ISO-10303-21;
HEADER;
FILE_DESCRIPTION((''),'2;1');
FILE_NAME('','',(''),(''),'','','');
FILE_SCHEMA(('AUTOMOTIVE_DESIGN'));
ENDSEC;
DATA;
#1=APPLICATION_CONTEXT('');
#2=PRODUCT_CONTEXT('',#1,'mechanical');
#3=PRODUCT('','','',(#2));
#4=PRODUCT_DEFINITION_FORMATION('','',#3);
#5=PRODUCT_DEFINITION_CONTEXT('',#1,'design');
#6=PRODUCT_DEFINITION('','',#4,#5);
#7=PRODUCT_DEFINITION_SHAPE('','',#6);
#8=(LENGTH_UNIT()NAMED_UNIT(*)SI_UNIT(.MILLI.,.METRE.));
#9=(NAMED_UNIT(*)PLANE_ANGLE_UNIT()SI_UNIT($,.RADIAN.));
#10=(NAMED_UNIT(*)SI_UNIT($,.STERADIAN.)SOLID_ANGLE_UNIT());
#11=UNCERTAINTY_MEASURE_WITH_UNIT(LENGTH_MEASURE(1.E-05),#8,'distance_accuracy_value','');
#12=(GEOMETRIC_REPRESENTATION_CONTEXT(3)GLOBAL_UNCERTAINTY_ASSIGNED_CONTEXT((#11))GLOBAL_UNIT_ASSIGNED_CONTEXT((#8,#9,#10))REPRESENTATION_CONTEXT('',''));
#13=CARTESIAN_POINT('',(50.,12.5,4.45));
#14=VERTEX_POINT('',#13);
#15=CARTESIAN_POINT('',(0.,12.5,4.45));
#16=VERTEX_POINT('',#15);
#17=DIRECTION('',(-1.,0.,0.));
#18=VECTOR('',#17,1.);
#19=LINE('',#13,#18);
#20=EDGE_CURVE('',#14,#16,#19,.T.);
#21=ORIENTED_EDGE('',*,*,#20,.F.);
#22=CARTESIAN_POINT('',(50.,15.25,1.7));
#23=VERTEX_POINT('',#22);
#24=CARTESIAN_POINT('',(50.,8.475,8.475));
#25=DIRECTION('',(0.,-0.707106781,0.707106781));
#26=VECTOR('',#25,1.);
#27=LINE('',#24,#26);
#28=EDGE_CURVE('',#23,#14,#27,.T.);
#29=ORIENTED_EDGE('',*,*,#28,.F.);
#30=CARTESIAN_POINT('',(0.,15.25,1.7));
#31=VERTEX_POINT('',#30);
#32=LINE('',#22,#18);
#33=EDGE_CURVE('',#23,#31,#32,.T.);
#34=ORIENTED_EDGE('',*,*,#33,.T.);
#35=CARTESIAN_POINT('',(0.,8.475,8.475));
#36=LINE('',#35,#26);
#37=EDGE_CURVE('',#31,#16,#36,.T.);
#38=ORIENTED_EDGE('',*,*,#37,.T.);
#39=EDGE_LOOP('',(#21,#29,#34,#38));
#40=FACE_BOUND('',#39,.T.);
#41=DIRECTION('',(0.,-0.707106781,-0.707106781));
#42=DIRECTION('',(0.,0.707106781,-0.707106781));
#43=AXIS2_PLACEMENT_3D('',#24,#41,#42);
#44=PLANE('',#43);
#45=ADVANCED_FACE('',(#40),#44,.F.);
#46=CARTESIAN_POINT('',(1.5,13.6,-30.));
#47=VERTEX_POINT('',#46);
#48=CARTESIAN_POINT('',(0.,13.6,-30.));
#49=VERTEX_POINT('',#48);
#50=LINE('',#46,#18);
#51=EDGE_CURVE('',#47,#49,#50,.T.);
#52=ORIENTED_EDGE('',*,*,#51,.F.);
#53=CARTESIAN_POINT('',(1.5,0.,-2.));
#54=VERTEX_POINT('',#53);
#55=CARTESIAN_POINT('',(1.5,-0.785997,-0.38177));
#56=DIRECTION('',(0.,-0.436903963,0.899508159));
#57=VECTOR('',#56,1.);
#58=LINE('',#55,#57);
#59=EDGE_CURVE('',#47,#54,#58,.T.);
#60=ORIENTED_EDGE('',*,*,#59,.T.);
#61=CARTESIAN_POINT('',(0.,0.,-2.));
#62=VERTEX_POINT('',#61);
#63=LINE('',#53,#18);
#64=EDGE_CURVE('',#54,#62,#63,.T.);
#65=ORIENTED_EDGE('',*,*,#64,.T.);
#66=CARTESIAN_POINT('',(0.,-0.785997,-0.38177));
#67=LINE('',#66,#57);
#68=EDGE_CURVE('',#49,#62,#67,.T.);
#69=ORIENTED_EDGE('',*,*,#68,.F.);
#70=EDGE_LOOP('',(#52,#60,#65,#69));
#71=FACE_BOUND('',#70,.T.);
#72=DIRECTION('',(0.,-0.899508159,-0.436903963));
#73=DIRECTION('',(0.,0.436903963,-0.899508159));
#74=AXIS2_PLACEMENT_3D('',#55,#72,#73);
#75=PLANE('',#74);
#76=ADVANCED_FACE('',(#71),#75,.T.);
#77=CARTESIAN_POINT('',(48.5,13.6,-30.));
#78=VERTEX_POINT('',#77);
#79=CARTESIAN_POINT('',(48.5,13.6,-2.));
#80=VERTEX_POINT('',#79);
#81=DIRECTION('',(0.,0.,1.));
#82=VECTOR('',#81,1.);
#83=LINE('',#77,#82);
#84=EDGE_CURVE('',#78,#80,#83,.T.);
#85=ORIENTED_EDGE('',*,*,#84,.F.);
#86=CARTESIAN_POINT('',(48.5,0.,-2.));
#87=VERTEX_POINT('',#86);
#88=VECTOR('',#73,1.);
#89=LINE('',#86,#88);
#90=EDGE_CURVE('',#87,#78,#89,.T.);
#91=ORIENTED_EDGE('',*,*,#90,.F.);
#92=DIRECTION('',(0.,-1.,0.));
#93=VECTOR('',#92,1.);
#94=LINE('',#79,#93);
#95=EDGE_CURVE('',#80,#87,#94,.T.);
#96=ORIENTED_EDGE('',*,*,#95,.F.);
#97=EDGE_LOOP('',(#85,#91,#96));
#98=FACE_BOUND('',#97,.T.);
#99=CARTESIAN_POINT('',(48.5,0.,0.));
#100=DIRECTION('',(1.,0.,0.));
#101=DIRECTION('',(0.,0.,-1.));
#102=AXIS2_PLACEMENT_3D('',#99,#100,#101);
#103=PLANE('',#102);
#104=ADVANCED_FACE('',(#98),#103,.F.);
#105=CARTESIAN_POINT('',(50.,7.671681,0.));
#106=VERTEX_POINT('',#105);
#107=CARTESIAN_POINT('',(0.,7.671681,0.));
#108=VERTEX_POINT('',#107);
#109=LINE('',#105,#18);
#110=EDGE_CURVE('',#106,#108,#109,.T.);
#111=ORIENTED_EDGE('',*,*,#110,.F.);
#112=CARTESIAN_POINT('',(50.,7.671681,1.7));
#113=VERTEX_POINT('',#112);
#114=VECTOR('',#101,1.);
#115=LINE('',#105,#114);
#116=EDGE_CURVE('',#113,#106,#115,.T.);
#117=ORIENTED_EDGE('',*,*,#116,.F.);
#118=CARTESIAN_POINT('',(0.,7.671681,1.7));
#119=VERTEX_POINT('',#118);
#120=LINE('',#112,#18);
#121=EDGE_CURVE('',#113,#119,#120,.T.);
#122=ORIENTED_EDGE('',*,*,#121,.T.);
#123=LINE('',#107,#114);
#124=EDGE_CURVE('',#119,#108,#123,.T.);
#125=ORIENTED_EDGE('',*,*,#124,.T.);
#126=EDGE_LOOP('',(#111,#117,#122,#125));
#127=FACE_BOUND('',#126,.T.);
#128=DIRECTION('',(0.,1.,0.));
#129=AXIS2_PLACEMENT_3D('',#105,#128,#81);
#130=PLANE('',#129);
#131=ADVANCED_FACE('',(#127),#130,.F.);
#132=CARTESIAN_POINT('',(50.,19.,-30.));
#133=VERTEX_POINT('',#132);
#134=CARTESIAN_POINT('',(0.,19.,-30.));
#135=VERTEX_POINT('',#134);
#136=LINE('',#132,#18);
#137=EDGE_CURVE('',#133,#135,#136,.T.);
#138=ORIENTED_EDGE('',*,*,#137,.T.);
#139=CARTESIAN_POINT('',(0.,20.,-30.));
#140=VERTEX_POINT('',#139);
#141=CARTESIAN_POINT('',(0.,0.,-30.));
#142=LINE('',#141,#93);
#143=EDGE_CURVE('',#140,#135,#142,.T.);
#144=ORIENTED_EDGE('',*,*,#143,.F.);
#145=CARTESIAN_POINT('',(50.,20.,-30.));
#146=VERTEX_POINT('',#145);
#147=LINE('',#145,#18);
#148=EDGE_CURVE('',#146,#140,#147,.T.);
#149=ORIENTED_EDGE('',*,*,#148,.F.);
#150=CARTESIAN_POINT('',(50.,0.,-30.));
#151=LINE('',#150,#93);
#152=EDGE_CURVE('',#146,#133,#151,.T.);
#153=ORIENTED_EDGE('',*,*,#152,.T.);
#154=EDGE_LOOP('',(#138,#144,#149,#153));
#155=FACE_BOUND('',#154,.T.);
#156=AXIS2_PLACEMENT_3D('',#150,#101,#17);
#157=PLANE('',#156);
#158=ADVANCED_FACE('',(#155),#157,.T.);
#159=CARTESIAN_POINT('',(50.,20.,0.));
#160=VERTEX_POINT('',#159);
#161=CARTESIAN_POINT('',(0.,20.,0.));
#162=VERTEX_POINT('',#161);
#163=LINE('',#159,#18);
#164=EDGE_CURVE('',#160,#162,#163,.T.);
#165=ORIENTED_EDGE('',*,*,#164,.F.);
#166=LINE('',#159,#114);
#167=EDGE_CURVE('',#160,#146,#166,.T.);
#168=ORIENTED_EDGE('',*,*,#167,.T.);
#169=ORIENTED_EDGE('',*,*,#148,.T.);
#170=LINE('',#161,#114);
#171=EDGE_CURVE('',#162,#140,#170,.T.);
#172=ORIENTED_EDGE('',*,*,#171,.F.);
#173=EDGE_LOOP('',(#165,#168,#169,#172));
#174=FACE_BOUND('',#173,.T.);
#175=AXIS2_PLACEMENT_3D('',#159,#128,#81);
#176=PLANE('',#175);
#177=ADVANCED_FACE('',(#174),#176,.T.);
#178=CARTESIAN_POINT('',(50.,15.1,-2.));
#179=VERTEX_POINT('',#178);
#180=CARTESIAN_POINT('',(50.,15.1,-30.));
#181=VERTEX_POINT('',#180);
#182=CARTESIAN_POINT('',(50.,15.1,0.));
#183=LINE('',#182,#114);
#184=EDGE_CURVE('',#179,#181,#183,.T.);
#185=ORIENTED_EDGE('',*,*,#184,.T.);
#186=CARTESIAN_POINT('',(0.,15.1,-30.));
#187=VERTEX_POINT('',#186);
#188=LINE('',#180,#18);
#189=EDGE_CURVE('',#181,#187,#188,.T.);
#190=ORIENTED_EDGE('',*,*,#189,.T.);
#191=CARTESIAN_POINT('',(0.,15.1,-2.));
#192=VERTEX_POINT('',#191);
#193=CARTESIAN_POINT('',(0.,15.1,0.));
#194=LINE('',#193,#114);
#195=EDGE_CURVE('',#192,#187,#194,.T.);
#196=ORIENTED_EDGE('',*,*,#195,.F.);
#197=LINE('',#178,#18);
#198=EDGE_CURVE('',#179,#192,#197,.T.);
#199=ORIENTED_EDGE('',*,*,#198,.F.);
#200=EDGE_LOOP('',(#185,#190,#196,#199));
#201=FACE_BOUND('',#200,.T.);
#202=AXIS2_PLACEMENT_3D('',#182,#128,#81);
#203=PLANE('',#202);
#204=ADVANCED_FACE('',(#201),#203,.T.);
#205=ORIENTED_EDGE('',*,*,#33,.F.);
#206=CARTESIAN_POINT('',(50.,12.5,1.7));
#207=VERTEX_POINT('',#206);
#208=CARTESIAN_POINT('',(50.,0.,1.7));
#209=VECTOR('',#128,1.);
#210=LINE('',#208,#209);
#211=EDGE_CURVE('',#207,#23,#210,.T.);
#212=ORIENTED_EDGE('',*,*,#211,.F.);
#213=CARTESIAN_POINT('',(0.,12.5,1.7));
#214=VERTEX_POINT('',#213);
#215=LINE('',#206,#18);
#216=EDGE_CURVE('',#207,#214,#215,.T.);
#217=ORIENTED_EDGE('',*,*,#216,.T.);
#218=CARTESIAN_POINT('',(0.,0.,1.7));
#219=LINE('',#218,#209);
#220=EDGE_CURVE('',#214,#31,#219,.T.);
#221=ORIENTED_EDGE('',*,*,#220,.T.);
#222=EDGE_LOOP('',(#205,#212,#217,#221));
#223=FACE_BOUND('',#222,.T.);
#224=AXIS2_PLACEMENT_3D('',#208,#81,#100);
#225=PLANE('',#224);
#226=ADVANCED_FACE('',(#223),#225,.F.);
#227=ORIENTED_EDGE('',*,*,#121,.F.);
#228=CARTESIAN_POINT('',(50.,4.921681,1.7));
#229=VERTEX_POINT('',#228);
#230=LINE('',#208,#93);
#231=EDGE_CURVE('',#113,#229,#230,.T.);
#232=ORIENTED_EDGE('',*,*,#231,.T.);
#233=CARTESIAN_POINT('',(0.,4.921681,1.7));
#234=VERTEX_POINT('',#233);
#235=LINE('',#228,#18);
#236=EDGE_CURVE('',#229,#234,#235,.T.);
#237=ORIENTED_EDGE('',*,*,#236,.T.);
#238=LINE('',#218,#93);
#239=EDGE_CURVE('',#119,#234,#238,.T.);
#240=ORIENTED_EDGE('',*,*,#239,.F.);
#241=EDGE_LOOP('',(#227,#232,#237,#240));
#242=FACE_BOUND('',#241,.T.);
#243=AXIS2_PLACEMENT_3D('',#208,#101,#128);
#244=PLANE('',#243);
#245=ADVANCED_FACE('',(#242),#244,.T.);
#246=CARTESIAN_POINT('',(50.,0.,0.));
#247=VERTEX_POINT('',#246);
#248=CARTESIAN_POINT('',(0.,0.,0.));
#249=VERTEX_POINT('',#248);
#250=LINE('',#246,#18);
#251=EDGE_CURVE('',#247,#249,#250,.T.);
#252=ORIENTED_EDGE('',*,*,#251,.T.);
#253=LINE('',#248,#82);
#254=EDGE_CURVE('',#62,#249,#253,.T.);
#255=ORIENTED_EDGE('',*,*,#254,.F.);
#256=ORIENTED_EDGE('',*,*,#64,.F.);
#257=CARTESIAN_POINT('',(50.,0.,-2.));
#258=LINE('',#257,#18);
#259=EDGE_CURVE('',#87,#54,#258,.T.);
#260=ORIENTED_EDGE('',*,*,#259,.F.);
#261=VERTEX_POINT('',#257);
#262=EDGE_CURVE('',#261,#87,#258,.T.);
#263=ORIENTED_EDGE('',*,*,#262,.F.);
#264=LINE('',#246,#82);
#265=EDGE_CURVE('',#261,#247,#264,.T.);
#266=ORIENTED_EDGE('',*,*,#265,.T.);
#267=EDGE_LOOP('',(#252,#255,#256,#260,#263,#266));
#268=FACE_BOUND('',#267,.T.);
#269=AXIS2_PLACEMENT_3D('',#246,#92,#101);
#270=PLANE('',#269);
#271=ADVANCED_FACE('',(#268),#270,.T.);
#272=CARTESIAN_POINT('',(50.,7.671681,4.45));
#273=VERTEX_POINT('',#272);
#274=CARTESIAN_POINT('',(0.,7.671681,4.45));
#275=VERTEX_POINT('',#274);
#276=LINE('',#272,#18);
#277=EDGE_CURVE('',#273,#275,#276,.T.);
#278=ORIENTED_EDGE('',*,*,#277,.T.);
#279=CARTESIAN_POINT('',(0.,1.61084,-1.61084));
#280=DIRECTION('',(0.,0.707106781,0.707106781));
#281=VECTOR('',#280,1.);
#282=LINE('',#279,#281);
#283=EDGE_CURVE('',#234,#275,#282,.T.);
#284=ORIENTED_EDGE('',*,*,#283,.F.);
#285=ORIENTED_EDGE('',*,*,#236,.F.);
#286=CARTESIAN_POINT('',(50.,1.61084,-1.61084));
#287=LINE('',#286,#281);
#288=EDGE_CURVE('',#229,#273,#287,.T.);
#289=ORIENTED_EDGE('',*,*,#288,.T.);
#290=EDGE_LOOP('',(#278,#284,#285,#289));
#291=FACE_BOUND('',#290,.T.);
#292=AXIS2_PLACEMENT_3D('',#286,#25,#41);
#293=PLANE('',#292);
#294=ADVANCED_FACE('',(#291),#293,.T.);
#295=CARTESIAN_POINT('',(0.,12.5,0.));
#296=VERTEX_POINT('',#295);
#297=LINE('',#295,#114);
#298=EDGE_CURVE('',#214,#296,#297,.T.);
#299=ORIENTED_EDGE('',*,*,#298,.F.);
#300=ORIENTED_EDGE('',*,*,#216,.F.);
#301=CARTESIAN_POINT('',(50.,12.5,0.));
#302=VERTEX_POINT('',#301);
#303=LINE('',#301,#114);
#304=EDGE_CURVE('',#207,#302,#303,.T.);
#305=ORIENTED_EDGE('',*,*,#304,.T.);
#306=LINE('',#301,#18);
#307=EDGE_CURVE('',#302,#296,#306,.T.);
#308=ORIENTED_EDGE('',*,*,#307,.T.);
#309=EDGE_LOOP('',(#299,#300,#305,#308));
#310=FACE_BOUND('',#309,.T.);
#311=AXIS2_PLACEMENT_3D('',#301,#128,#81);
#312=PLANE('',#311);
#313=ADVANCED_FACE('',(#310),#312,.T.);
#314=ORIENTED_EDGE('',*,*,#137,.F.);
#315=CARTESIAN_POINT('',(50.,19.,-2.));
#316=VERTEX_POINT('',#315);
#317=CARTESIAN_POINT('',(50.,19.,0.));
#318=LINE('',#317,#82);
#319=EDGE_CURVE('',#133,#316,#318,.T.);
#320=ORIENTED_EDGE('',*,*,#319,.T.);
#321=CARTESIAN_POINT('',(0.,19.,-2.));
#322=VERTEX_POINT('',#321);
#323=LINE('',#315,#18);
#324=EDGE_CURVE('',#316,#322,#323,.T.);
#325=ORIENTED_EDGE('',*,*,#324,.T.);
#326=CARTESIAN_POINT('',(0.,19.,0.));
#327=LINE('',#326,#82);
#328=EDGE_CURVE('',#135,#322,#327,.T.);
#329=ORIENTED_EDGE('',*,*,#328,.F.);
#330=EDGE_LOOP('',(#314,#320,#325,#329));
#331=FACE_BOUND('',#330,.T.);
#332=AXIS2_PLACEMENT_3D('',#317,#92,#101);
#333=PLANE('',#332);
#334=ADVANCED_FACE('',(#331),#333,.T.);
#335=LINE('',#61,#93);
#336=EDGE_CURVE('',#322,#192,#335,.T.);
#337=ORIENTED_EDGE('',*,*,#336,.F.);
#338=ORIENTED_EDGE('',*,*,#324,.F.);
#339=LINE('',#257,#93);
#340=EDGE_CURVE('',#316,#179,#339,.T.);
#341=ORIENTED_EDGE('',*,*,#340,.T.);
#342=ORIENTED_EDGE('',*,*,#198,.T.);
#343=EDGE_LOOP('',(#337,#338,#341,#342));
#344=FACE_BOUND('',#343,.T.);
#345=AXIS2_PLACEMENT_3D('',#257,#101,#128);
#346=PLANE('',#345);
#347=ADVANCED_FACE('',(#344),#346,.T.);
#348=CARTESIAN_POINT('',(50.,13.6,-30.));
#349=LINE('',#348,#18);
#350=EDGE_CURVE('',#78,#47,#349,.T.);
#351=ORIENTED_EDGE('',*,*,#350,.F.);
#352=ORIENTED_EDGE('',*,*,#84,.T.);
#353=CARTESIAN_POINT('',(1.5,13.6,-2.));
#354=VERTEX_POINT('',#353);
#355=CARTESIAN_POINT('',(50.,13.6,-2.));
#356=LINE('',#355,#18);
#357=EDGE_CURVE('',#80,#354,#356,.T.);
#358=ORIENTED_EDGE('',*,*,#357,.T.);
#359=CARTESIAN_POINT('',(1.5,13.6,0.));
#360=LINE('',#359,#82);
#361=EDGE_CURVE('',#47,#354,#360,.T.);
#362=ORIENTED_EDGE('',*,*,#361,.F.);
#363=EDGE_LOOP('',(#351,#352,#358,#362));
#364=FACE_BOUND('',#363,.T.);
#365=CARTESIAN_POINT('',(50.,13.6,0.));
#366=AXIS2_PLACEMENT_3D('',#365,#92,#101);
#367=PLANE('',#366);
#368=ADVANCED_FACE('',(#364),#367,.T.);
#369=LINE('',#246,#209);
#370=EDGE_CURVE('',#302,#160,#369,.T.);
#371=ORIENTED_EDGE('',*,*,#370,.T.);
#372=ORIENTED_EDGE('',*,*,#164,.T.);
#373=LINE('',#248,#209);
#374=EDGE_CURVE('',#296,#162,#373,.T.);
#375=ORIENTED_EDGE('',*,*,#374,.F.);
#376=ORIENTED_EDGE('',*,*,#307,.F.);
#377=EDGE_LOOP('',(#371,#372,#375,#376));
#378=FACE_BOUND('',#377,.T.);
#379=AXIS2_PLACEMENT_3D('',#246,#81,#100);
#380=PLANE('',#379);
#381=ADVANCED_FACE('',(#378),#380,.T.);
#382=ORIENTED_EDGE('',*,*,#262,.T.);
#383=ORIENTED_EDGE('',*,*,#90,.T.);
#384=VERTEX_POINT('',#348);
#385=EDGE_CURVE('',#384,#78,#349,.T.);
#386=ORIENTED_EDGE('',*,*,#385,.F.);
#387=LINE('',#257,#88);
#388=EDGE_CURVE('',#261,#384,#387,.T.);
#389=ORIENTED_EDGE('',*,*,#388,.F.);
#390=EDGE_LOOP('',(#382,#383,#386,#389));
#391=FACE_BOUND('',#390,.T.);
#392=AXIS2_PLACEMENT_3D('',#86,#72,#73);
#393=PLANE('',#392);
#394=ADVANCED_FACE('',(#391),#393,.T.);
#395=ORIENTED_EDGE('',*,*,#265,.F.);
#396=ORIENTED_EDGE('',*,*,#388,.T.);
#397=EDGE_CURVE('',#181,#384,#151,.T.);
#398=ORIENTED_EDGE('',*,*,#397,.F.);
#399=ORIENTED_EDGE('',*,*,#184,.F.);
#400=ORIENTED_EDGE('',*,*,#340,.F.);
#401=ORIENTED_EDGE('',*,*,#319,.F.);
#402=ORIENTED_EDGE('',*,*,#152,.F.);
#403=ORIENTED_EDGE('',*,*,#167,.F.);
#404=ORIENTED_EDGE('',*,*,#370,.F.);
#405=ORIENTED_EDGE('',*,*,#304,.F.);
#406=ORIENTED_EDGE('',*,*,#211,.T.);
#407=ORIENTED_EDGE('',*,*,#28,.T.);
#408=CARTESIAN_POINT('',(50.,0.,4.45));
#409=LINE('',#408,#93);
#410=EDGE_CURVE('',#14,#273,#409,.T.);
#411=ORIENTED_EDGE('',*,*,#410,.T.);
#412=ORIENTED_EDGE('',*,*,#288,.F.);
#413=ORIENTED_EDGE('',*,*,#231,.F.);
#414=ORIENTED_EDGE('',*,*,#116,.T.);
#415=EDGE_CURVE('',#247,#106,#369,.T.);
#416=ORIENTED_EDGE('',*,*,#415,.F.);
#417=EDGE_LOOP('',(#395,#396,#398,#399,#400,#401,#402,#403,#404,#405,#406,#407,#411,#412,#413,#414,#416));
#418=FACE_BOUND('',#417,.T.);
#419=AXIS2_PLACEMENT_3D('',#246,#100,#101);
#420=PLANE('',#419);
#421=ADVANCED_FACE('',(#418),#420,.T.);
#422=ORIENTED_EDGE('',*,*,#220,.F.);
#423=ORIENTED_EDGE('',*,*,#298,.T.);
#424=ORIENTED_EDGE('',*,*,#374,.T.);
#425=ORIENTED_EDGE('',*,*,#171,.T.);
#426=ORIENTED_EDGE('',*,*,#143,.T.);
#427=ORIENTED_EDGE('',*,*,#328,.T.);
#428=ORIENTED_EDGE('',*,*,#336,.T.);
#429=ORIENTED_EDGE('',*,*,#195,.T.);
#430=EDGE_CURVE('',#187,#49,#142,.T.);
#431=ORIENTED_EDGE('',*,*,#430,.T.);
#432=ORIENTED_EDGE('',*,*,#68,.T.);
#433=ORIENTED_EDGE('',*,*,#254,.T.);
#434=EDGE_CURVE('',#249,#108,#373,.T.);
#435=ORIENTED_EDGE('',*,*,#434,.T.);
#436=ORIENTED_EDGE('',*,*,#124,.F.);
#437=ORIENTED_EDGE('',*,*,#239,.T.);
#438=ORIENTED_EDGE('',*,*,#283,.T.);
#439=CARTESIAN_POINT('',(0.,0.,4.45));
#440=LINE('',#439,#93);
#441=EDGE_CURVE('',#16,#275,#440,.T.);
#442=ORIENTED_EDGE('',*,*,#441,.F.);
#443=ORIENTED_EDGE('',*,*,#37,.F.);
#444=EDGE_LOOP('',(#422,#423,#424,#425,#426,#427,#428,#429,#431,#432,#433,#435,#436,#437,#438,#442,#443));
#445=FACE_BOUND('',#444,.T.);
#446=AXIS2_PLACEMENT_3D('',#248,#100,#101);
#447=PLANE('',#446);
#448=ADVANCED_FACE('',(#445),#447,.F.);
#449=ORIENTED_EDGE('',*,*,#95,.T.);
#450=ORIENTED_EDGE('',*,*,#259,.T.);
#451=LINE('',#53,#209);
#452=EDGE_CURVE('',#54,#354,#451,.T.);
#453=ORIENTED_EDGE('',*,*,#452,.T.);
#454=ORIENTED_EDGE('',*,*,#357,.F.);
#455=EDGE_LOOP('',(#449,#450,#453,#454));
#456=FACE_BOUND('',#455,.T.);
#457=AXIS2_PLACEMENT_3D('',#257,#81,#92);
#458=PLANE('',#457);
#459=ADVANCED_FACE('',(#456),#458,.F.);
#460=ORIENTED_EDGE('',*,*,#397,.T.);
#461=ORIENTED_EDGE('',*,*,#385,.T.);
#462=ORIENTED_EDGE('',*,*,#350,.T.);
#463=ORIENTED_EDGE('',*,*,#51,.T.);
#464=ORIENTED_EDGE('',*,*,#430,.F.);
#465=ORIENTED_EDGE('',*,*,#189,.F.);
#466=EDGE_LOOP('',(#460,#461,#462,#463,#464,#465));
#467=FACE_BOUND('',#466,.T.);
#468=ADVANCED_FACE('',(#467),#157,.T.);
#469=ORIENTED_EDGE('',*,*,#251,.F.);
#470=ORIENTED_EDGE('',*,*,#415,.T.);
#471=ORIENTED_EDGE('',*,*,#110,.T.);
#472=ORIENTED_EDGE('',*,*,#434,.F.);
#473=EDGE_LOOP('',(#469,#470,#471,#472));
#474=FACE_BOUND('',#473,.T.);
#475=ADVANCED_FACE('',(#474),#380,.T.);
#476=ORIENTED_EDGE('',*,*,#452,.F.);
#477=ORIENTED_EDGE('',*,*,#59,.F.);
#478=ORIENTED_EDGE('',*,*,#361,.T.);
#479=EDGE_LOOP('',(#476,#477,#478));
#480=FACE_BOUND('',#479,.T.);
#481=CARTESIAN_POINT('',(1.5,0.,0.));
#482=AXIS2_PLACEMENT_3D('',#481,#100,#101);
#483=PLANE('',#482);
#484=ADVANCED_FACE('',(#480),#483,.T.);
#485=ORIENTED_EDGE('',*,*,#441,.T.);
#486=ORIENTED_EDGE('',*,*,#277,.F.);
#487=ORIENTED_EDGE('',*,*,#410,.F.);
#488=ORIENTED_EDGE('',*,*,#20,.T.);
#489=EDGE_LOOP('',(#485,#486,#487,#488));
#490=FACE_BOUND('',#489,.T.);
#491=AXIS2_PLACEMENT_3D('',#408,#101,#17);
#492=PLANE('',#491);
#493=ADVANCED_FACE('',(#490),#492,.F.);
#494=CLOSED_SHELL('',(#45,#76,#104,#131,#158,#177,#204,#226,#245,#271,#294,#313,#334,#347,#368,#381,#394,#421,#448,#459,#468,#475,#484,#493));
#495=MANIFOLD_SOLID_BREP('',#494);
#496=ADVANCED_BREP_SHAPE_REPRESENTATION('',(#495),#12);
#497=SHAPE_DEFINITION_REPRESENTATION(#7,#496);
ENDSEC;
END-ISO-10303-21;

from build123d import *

# Parameters (mm, degrees)
BOSS_EXTRUDE2_DEPTH  = 50
BOSS_EXTRUDE10_DEPTH = 1.5
BOSS_EXTRUDE11_DEPTH = 1.5


with BuildPart() as part:
    # Sketch1 → Boss-Extrude2 (new body)
    with BuildSketch(Plane(origin=(0, 0, 0), x_dir=(0, 0, -1), z_dir=(1, 0, 0))):
        Polygon((0, 7.671680622), (0, 0), (2, 0), (2, 13.6), (30, 13.6), (30, 15.1), (2, 15.1), (2, 19), (30, 19), (30, 20), (0, 20), (0, 12.5), (-1.7, 12.5), (-1.7, 15.25), (-4.45, 12.5), (-4.45, 7.671680622), (-1.7, 4.921680622), (-1.7, 7.671680622), align=None)
    extrude(amount=BOSS_EXTRUDE2_DEPTH)

    # Sketch1<13> → Boss-Extrude10 (add)
    with BuildSketch(Plane(origin=(0, 0, 0), x_dir=(0, 0, -1), z_dir=(1, 0, 0))):
        Polygon((2, 13.6), (2, 0), (30, 13.6), align=None)
    extrude(amount=BOSS_EXTRUDE10_DEPTH)

    # Sketch7 → Boss-Extrude11 (add)
    with BuildSketch(Plane(origin=(50, 0, 0), x_dir=(0, 0, -1), z_dir=(1, 0, 0))):
        Polygon((2, 13.6), (2, 0), (30, 13.6), align=None)
    extrude(amount=-BOSS_EXTRUDE11_DEPTH)


solid = part.part
